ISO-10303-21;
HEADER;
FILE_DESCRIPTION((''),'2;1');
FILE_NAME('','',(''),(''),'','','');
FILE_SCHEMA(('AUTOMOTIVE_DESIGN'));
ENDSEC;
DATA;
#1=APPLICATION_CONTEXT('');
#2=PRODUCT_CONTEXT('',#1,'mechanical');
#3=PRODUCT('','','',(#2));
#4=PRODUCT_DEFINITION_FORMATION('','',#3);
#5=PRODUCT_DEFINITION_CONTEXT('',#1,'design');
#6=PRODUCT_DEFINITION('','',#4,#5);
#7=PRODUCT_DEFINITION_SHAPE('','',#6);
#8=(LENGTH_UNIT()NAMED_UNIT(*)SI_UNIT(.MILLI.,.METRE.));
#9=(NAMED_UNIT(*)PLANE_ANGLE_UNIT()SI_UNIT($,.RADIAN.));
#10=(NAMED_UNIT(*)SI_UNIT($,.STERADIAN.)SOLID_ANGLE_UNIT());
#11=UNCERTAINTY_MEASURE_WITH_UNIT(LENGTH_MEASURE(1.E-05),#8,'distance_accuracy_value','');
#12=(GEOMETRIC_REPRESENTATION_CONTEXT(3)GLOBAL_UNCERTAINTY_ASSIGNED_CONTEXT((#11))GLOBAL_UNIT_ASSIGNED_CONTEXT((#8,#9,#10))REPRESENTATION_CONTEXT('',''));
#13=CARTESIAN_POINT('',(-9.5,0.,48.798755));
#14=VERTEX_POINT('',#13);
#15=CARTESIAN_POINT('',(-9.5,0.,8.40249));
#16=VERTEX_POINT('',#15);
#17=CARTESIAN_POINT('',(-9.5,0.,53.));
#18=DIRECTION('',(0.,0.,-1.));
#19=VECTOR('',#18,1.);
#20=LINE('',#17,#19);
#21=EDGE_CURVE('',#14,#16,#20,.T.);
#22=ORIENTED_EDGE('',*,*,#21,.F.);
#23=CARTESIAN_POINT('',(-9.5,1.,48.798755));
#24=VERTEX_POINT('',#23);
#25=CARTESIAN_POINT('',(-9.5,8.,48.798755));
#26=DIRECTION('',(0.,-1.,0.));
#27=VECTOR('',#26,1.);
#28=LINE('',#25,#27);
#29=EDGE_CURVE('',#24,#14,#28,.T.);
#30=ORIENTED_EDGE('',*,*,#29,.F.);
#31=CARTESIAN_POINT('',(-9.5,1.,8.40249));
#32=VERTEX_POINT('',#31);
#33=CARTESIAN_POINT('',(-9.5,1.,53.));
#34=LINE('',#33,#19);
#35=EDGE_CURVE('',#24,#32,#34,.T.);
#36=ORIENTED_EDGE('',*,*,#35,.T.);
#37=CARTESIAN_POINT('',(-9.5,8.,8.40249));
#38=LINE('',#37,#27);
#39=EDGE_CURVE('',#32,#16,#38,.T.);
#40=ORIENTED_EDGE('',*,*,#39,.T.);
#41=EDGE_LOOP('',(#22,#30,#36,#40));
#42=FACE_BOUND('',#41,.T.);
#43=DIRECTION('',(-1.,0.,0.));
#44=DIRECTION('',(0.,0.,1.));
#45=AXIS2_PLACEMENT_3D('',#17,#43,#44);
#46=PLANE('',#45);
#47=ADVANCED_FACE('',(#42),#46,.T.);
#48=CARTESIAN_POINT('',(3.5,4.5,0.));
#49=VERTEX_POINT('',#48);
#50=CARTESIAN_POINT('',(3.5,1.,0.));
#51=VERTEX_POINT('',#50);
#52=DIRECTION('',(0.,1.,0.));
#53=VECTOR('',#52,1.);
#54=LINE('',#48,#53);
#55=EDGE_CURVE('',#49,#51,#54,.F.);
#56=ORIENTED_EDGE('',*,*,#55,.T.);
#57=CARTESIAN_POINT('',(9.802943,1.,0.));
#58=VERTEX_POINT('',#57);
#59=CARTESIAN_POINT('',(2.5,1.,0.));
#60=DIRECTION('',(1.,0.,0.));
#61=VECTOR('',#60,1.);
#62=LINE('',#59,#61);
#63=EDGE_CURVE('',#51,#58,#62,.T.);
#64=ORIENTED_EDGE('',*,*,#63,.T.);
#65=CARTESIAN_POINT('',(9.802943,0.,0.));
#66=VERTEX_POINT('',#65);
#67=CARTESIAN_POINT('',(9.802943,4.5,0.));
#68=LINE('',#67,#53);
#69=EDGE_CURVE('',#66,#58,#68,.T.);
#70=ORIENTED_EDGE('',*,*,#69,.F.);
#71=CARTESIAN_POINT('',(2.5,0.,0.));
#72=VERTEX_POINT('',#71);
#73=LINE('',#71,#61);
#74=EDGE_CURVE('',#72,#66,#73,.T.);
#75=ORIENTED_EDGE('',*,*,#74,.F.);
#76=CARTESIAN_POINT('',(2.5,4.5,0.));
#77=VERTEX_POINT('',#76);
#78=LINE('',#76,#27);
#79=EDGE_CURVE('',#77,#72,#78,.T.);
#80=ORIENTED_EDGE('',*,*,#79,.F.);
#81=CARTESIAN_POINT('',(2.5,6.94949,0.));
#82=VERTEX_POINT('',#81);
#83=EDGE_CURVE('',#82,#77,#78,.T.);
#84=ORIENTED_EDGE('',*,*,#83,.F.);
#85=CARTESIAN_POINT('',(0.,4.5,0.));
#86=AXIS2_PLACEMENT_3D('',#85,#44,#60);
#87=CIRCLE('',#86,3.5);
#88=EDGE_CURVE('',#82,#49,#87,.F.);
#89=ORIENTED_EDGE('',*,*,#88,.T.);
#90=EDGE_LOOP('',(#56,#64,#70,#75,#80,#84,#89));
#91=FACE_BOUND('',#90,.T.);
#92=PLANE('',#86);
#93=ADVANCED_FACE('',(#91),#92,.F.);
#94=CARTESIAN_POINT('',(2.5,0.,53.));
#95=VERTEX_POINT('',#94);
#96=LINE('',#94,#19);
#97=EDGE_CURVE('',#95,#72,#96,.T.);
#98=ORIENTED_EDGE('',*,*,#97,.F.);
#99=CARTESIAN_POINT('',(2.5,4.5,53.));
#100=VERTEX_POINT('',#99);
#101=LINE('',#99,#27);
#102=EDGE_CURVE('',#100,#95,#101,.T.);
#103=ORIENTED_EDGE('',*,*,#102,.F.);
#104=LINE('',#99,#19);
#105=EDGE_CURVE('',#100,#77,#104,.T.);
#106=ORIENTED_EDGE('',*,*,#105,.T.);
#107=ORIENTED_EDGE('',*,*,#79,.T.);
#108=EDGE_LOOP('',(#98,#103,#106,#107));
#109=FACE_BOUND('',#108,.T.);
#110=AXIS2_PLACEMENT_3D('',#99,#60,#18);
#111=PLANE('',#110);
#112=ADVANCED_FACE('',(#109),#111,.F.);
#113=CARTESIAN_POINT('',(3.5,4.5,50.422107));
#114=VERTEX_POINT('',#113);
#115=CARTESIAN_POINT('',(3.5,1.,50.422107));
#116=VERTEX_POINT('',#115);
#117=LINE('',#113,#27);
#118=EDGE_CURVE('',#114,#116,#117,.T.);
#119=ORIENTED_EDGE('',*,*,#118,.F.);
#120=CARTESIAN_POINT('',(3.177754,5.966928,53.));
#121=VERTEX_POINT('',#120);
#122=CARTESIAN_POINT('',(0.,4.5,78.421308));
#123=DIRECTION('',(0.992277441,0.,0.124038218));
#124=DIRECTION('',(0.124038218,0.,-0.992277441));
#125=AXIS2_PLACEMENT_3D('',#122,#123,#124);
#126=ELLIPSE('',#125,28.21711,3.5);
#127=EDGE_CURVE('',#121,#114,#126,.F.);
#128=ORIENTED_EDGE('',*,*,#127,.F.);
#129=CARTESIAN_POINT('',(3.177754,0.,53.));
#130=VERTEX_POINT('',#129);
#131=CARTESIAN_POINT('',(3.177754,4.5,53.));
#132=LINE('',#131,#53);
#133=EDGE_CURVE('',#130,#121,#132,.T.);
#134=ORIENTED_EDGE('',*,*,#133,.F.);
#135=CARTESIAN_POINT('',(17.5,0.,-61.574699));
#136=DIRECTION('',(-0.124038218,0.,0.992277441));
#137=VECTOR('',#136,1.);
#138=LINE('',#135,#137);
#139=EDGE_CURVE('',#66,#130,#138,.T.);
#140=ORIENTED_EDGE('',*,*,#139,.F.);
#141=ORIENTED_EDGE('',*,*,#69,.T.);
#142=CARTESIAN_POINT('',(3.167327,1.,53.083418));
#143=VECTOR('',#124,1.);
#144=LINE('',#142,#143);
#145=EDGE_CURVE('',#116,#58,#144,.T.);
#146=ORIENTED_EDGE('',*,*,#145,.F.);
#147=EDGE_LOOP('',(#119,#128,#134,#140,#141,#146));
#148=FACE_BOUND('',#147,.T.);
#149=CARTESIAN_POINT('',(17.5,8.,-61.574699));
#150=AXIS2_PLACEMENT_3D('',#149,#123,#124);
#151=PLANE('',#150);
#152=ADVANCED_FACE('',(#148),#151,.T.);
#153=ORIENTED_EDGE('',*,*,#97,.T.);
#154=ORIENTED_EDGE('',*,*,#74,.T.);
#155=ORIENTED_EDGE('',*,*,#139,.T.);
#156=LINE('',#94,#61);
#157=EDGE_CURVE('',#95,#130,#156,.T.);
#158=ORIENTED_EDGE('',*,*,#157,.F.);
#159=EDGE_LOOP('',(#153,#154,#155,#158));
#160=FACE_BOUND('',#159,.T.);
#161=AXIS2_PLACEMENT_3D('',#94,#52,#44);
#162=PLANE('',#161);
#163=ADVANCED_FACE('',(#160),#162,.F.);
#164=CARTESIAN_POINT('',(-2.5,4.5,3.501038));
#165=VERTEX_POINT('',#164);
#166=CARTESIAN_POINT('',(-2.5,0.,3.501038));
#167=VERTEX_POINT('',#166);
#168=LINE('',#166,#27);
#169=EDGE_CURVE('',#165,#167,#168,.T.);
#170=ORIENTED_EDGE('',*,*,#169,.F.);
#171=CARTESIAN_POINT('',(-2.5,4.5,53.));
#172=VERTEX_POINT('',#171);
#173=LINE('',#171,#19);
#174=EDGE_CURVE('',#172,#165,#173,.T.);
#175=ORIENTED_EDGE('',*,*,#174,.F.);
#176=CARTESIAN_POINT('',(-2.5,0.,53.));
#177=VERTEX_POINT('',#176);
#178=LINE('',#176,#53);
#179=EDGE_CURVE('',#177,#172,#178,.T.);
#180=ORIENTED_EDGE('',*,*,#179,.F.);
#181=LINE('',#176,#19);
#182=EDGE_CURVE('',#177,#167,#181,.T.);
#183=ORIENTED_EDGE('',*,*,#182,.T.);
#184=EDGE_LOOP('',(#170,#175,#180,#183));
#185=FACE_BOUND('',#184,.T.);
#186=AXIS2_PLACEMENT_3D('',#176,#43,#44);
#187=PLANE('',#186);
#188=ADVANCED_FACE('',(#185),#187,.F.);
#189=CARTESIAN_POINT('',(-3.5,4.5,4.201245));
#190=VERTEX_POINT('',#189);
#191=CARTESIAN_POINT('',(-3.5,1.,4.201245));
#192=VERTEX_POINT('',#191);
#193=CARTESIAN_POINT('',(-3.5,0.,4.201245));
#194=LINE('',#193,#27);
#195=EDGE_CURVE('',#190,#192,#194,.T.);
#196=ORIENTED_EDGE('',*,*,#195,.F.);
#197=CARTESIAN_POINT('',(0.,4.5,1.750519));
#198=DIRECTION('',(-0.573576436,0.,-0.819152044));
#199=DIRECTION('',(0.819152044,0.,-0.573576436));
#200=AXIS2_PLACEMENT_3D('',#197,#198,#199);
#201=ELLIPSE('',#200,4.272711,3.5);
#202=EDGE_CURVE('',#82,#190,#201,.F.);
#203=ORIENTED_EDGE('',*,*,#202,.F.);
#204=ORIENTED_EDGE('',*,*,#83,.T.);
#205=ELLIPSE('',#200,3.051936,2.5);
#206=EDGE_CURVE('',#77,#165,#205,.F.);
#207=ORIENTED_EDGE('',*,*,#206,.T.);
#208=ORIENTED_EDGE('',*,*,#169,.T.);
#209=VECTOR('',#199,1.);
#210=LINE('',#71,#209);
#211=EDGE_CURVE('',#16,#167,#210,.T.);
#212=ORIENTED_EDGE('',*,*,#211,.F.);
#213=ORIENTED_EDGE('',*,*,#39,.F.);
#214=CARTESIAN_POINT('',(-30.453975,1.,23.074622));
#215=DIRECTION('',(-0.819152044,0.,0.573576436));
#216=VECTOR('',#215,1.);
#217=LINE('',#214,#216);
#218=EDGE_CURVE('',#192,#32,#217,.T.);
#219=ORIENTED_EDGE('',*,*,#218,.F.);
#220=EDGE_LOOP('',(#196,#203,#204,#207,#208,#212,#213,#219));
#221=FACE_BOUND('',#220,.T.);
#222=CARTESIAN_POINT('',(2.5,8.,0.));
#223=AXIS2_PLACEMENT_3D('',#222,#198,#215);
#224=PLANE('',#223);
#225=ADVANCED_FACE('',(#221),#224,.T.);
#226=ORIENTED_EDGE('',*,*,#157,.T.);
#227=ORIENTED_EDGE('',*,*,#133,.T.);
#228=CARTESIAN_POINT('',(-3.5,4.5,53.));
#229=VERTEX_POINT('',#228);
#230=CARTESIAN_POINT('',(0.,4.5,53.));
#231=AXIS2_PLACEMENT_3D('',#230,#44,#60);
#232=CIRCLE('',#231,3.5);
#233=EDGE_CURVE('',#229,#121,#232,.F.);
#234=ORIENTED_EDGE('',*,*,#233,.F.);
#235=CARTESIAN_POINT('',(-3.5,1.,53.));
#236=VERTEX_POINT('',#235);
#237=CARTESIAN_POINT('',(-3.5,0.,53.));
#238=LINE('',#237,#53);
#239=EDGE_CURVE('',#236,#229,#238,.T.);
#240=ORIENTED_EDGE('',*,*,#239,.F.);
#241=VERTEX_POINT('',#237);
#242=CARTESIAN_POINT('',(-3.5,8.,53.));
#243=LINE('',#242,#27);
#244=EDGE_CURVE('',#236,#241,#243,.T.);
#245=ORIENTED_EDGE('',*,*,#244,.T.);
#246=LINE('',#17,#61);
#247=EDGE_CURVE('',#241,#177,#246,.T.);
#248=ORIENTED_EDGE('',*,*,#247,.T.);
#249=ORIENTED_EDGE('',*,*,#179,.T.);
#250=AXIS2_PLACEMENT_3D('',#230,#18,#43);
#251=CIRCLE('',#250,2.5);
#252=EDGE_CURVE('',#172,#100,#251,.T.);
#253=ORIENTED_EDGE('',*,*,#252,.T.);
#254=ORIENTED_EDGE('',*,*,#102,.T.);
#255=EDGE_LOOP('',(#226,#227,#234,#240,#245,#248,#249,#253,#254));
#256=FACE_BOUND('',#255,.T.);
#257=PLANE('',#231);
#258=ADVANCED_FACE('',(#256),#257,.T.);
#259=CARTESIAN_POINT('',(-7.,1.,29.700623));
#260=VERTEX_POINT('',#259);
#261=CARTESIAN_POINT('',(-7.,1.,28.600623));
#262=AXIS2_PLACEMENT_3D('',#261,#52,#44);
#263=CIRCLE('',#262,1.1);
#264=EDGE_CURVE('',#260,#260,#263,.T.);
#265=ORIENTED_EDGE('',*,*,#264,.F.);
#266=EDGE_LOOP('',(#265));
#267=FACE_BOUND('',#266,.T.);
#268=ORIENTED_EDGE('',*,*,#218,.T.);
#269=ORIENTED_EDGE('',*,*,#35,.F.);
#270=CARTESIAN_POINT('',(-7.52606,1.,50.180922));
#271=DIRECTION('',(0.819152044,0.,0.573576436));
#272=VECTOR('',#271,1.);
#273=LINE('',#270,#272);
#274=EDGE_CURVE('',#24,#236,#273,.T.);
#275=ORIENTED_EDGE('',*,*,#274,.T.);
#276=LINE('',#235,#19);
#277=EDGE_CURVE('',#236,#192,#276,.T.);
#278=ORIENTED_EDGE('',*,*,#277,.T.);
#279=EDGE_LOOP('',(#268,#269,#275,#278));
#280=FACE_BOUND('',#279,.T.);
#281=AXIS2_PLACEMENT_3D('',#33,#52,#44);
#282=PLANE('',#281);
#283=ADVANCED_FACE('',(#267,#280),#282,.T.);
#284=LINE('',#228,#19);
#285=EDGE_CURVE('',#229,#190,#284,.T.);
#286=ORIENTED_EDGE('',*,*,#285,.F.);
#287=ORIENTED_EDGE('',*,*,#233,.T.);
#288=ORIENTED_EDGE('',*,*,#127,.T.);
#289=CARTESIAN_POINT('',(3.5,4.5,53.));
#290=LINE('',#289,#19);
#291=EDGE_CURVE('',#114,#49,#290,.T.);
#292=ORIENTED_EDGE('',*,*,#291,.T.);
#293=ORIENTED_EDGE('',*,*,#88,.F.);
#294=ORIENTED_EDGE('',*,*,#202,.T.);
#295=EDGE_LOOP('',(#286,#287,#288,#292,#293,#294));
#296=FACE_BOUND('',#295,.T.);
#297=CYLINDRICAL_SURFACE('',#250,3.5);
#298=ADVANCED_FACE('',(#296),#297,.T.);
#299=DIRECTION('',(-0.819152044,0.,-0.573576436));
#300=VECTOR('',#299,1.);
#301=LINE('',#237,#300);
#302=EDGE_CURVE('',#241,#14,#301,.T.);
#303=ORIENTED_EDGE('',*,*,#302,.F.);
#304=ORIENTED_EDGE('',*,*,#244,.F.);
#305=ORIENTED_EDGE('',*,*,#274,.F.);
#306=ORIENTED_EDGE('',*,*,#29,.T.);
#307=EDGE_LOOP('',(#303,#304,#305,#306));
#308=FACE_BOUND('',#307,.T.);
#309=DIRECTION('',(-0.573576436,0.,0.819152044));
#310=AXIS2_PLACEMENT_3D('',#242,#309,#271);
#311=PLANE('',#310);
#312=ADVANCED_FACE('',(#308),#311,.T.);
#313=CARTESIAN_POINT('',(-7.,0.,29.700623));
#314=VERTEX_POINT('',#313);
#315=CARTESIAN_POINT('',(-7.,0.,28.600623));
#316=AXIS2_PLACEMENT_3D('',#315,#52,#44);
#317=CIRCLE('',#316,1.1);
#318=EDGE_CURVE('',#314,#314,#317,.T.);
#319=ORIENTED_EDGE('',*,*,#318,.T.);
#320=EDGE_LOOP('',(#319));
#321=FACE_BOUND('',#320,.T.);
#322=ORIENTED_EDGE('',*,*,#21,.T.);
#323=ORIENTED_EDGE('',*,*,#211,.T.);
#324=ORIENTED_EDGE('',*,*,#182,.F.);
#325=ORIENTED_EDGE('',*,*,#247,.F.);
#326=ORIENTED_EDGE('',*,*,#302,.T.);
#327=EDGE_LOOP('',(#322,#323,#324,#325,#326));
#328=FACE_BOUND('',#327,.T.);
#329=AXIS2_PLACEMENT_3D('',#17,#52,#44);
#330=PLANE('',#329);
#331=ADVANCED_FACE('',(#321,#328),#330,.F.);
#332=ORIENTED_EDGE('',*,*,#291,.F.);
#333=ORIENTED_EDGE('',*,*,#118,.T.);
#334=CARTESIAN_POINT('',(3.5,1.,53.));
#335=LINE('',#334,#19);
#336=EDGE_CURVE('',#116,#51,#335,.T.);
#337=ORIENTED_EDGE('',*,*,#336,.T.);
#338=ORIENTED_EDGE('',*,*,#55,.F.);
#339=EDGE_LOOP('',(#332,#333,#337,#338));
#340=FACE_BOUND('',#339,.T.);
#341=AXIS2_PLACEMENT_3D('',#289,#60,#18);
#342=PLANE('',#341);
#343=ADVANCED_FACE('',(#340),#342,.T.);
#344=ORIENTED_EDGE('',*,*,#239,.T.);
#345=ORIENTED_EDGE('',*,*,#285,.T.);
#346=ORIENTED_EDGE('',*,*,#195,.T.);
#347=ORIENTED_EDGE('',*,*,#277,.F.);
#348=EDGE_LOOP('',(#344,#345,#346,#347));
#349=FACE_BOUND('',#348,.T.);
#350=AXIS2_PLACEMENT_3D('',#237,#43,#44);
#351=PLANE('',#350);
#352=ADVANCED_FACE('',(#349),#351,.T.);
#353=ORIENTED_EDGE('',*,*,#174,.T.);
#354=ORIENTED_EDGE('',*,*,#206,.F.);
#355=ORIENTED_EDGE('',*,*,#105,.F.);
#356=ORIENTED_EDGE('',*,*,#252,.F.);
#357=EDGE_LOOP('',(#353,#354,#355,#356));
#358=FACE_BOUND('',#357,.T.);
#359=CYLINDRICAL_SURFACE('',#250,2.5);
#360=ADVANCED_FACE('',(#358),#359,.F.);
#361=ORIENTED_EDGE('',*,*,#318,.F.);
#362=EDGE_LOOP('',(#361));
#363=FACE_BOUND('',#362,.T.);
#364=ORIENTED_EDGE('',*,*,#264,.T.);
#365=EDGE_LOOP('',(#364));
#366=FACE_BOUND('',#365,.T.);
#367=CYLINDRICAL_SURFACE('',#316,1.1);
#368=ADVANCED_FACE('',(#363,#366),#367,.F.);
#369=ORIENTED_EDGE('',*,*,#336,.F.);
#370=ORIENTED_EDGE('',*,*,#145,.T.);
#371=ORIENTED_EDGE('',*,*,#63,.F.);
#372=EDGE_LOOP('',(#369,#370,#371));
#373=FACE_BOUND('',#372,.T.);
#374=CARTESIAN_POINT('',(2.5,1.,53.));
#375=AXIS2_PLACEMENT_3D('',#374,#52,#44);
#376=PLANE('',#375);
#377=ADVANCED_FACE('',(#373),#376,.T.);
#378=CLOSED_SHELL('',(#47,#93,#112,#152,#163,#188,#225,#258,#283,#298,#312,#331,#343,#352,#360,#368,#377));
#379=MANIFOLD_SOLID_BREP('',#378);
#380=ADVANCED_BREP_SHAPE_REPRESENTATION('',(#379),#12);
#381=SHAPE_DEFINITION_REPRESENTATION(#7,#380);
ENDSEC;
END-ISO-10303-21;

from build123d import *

# Parameters (mm, degrees)
EXTRU_MINCE1_DEPTH      = 53
ENL_V_MAT_EXTRU_1_DEPTH = 57.384838388
ESQUISSE3_R             = 1.1
ENL_V_MAT_EXTRU_2_DEPTH = 55.351611691


with BuildPart() as part:
    # Esquisse1 → Extru.-Mince1 (new body)
    with BuildSketch(Plane.XY):
        with BuildLine():
            Line((-9.5, 0), (-2.5, 0))
            Line((-2.5, 0), (-2.5, 4.5))
            ThreePointArc((-2.5, 4.5), (0, 7), (2.5, 4.5))
            Line((2.5, 4.5), (2.5, 0))
            Line((2.5, 0), (17.5, 0))
            Line((17.5, 0), (17.5, 1))
            Line((17.5, 1), (3.5, 1))
            Line((3.5, 1), (3.5, 4.5))
            ThreePointArc((3.5, 4.5), (0, 8), (-3.5, 4.5))
            Line((-3.5, 4.5), (-3.5, 1))
            Line((-3.5, 1), (-9.5, 1))
            Line((-9.5, 1), (-9.5, 0))
        make_face()
    extrude(amount=EXTRU_MINCE1_DEPTH)

    # Esquisse2 → Enlèv. mat.-Extru.1 (cut, through all)
    with BuildSketch(Plane(origin=(0, 0, 0), x_dir=(1, 0, 0), z_dir=(0, 1, 0))):
        Polygon((2.5, 0), (-9.5, -8.402490459), (-9.5, 0), align=None)
        Polygon((17.5, -53), (17.5, 61.57469904), (3.177754145, -53), align=None)
        Polygon((-9.5, -48.798754771), (-9.5, -53), (-3.5, -53), align=None)
    extrude(amount=ENL_V_MAT_EXTRU_1_DEPTH, mode=Mode.SUBTRACT)

    # Esquisse3 → Enlèv. mat.-Extru.2 (cut, through all)
    with BuildSketch(Plane(origin=(0, 1, 0), x_dir=(1, 0, 0), z_dir=(0, 1, 0))):
        with Locations(Location((-7, -28.600622615, 0), (0, 0, 270))):
            Circle(ESQUISSE3_R)
    extrude(amount=-ENL_V_MAT_EXTRU_2_DEPTH, mode=Mode.SUBTRACT)


solid = part.part
